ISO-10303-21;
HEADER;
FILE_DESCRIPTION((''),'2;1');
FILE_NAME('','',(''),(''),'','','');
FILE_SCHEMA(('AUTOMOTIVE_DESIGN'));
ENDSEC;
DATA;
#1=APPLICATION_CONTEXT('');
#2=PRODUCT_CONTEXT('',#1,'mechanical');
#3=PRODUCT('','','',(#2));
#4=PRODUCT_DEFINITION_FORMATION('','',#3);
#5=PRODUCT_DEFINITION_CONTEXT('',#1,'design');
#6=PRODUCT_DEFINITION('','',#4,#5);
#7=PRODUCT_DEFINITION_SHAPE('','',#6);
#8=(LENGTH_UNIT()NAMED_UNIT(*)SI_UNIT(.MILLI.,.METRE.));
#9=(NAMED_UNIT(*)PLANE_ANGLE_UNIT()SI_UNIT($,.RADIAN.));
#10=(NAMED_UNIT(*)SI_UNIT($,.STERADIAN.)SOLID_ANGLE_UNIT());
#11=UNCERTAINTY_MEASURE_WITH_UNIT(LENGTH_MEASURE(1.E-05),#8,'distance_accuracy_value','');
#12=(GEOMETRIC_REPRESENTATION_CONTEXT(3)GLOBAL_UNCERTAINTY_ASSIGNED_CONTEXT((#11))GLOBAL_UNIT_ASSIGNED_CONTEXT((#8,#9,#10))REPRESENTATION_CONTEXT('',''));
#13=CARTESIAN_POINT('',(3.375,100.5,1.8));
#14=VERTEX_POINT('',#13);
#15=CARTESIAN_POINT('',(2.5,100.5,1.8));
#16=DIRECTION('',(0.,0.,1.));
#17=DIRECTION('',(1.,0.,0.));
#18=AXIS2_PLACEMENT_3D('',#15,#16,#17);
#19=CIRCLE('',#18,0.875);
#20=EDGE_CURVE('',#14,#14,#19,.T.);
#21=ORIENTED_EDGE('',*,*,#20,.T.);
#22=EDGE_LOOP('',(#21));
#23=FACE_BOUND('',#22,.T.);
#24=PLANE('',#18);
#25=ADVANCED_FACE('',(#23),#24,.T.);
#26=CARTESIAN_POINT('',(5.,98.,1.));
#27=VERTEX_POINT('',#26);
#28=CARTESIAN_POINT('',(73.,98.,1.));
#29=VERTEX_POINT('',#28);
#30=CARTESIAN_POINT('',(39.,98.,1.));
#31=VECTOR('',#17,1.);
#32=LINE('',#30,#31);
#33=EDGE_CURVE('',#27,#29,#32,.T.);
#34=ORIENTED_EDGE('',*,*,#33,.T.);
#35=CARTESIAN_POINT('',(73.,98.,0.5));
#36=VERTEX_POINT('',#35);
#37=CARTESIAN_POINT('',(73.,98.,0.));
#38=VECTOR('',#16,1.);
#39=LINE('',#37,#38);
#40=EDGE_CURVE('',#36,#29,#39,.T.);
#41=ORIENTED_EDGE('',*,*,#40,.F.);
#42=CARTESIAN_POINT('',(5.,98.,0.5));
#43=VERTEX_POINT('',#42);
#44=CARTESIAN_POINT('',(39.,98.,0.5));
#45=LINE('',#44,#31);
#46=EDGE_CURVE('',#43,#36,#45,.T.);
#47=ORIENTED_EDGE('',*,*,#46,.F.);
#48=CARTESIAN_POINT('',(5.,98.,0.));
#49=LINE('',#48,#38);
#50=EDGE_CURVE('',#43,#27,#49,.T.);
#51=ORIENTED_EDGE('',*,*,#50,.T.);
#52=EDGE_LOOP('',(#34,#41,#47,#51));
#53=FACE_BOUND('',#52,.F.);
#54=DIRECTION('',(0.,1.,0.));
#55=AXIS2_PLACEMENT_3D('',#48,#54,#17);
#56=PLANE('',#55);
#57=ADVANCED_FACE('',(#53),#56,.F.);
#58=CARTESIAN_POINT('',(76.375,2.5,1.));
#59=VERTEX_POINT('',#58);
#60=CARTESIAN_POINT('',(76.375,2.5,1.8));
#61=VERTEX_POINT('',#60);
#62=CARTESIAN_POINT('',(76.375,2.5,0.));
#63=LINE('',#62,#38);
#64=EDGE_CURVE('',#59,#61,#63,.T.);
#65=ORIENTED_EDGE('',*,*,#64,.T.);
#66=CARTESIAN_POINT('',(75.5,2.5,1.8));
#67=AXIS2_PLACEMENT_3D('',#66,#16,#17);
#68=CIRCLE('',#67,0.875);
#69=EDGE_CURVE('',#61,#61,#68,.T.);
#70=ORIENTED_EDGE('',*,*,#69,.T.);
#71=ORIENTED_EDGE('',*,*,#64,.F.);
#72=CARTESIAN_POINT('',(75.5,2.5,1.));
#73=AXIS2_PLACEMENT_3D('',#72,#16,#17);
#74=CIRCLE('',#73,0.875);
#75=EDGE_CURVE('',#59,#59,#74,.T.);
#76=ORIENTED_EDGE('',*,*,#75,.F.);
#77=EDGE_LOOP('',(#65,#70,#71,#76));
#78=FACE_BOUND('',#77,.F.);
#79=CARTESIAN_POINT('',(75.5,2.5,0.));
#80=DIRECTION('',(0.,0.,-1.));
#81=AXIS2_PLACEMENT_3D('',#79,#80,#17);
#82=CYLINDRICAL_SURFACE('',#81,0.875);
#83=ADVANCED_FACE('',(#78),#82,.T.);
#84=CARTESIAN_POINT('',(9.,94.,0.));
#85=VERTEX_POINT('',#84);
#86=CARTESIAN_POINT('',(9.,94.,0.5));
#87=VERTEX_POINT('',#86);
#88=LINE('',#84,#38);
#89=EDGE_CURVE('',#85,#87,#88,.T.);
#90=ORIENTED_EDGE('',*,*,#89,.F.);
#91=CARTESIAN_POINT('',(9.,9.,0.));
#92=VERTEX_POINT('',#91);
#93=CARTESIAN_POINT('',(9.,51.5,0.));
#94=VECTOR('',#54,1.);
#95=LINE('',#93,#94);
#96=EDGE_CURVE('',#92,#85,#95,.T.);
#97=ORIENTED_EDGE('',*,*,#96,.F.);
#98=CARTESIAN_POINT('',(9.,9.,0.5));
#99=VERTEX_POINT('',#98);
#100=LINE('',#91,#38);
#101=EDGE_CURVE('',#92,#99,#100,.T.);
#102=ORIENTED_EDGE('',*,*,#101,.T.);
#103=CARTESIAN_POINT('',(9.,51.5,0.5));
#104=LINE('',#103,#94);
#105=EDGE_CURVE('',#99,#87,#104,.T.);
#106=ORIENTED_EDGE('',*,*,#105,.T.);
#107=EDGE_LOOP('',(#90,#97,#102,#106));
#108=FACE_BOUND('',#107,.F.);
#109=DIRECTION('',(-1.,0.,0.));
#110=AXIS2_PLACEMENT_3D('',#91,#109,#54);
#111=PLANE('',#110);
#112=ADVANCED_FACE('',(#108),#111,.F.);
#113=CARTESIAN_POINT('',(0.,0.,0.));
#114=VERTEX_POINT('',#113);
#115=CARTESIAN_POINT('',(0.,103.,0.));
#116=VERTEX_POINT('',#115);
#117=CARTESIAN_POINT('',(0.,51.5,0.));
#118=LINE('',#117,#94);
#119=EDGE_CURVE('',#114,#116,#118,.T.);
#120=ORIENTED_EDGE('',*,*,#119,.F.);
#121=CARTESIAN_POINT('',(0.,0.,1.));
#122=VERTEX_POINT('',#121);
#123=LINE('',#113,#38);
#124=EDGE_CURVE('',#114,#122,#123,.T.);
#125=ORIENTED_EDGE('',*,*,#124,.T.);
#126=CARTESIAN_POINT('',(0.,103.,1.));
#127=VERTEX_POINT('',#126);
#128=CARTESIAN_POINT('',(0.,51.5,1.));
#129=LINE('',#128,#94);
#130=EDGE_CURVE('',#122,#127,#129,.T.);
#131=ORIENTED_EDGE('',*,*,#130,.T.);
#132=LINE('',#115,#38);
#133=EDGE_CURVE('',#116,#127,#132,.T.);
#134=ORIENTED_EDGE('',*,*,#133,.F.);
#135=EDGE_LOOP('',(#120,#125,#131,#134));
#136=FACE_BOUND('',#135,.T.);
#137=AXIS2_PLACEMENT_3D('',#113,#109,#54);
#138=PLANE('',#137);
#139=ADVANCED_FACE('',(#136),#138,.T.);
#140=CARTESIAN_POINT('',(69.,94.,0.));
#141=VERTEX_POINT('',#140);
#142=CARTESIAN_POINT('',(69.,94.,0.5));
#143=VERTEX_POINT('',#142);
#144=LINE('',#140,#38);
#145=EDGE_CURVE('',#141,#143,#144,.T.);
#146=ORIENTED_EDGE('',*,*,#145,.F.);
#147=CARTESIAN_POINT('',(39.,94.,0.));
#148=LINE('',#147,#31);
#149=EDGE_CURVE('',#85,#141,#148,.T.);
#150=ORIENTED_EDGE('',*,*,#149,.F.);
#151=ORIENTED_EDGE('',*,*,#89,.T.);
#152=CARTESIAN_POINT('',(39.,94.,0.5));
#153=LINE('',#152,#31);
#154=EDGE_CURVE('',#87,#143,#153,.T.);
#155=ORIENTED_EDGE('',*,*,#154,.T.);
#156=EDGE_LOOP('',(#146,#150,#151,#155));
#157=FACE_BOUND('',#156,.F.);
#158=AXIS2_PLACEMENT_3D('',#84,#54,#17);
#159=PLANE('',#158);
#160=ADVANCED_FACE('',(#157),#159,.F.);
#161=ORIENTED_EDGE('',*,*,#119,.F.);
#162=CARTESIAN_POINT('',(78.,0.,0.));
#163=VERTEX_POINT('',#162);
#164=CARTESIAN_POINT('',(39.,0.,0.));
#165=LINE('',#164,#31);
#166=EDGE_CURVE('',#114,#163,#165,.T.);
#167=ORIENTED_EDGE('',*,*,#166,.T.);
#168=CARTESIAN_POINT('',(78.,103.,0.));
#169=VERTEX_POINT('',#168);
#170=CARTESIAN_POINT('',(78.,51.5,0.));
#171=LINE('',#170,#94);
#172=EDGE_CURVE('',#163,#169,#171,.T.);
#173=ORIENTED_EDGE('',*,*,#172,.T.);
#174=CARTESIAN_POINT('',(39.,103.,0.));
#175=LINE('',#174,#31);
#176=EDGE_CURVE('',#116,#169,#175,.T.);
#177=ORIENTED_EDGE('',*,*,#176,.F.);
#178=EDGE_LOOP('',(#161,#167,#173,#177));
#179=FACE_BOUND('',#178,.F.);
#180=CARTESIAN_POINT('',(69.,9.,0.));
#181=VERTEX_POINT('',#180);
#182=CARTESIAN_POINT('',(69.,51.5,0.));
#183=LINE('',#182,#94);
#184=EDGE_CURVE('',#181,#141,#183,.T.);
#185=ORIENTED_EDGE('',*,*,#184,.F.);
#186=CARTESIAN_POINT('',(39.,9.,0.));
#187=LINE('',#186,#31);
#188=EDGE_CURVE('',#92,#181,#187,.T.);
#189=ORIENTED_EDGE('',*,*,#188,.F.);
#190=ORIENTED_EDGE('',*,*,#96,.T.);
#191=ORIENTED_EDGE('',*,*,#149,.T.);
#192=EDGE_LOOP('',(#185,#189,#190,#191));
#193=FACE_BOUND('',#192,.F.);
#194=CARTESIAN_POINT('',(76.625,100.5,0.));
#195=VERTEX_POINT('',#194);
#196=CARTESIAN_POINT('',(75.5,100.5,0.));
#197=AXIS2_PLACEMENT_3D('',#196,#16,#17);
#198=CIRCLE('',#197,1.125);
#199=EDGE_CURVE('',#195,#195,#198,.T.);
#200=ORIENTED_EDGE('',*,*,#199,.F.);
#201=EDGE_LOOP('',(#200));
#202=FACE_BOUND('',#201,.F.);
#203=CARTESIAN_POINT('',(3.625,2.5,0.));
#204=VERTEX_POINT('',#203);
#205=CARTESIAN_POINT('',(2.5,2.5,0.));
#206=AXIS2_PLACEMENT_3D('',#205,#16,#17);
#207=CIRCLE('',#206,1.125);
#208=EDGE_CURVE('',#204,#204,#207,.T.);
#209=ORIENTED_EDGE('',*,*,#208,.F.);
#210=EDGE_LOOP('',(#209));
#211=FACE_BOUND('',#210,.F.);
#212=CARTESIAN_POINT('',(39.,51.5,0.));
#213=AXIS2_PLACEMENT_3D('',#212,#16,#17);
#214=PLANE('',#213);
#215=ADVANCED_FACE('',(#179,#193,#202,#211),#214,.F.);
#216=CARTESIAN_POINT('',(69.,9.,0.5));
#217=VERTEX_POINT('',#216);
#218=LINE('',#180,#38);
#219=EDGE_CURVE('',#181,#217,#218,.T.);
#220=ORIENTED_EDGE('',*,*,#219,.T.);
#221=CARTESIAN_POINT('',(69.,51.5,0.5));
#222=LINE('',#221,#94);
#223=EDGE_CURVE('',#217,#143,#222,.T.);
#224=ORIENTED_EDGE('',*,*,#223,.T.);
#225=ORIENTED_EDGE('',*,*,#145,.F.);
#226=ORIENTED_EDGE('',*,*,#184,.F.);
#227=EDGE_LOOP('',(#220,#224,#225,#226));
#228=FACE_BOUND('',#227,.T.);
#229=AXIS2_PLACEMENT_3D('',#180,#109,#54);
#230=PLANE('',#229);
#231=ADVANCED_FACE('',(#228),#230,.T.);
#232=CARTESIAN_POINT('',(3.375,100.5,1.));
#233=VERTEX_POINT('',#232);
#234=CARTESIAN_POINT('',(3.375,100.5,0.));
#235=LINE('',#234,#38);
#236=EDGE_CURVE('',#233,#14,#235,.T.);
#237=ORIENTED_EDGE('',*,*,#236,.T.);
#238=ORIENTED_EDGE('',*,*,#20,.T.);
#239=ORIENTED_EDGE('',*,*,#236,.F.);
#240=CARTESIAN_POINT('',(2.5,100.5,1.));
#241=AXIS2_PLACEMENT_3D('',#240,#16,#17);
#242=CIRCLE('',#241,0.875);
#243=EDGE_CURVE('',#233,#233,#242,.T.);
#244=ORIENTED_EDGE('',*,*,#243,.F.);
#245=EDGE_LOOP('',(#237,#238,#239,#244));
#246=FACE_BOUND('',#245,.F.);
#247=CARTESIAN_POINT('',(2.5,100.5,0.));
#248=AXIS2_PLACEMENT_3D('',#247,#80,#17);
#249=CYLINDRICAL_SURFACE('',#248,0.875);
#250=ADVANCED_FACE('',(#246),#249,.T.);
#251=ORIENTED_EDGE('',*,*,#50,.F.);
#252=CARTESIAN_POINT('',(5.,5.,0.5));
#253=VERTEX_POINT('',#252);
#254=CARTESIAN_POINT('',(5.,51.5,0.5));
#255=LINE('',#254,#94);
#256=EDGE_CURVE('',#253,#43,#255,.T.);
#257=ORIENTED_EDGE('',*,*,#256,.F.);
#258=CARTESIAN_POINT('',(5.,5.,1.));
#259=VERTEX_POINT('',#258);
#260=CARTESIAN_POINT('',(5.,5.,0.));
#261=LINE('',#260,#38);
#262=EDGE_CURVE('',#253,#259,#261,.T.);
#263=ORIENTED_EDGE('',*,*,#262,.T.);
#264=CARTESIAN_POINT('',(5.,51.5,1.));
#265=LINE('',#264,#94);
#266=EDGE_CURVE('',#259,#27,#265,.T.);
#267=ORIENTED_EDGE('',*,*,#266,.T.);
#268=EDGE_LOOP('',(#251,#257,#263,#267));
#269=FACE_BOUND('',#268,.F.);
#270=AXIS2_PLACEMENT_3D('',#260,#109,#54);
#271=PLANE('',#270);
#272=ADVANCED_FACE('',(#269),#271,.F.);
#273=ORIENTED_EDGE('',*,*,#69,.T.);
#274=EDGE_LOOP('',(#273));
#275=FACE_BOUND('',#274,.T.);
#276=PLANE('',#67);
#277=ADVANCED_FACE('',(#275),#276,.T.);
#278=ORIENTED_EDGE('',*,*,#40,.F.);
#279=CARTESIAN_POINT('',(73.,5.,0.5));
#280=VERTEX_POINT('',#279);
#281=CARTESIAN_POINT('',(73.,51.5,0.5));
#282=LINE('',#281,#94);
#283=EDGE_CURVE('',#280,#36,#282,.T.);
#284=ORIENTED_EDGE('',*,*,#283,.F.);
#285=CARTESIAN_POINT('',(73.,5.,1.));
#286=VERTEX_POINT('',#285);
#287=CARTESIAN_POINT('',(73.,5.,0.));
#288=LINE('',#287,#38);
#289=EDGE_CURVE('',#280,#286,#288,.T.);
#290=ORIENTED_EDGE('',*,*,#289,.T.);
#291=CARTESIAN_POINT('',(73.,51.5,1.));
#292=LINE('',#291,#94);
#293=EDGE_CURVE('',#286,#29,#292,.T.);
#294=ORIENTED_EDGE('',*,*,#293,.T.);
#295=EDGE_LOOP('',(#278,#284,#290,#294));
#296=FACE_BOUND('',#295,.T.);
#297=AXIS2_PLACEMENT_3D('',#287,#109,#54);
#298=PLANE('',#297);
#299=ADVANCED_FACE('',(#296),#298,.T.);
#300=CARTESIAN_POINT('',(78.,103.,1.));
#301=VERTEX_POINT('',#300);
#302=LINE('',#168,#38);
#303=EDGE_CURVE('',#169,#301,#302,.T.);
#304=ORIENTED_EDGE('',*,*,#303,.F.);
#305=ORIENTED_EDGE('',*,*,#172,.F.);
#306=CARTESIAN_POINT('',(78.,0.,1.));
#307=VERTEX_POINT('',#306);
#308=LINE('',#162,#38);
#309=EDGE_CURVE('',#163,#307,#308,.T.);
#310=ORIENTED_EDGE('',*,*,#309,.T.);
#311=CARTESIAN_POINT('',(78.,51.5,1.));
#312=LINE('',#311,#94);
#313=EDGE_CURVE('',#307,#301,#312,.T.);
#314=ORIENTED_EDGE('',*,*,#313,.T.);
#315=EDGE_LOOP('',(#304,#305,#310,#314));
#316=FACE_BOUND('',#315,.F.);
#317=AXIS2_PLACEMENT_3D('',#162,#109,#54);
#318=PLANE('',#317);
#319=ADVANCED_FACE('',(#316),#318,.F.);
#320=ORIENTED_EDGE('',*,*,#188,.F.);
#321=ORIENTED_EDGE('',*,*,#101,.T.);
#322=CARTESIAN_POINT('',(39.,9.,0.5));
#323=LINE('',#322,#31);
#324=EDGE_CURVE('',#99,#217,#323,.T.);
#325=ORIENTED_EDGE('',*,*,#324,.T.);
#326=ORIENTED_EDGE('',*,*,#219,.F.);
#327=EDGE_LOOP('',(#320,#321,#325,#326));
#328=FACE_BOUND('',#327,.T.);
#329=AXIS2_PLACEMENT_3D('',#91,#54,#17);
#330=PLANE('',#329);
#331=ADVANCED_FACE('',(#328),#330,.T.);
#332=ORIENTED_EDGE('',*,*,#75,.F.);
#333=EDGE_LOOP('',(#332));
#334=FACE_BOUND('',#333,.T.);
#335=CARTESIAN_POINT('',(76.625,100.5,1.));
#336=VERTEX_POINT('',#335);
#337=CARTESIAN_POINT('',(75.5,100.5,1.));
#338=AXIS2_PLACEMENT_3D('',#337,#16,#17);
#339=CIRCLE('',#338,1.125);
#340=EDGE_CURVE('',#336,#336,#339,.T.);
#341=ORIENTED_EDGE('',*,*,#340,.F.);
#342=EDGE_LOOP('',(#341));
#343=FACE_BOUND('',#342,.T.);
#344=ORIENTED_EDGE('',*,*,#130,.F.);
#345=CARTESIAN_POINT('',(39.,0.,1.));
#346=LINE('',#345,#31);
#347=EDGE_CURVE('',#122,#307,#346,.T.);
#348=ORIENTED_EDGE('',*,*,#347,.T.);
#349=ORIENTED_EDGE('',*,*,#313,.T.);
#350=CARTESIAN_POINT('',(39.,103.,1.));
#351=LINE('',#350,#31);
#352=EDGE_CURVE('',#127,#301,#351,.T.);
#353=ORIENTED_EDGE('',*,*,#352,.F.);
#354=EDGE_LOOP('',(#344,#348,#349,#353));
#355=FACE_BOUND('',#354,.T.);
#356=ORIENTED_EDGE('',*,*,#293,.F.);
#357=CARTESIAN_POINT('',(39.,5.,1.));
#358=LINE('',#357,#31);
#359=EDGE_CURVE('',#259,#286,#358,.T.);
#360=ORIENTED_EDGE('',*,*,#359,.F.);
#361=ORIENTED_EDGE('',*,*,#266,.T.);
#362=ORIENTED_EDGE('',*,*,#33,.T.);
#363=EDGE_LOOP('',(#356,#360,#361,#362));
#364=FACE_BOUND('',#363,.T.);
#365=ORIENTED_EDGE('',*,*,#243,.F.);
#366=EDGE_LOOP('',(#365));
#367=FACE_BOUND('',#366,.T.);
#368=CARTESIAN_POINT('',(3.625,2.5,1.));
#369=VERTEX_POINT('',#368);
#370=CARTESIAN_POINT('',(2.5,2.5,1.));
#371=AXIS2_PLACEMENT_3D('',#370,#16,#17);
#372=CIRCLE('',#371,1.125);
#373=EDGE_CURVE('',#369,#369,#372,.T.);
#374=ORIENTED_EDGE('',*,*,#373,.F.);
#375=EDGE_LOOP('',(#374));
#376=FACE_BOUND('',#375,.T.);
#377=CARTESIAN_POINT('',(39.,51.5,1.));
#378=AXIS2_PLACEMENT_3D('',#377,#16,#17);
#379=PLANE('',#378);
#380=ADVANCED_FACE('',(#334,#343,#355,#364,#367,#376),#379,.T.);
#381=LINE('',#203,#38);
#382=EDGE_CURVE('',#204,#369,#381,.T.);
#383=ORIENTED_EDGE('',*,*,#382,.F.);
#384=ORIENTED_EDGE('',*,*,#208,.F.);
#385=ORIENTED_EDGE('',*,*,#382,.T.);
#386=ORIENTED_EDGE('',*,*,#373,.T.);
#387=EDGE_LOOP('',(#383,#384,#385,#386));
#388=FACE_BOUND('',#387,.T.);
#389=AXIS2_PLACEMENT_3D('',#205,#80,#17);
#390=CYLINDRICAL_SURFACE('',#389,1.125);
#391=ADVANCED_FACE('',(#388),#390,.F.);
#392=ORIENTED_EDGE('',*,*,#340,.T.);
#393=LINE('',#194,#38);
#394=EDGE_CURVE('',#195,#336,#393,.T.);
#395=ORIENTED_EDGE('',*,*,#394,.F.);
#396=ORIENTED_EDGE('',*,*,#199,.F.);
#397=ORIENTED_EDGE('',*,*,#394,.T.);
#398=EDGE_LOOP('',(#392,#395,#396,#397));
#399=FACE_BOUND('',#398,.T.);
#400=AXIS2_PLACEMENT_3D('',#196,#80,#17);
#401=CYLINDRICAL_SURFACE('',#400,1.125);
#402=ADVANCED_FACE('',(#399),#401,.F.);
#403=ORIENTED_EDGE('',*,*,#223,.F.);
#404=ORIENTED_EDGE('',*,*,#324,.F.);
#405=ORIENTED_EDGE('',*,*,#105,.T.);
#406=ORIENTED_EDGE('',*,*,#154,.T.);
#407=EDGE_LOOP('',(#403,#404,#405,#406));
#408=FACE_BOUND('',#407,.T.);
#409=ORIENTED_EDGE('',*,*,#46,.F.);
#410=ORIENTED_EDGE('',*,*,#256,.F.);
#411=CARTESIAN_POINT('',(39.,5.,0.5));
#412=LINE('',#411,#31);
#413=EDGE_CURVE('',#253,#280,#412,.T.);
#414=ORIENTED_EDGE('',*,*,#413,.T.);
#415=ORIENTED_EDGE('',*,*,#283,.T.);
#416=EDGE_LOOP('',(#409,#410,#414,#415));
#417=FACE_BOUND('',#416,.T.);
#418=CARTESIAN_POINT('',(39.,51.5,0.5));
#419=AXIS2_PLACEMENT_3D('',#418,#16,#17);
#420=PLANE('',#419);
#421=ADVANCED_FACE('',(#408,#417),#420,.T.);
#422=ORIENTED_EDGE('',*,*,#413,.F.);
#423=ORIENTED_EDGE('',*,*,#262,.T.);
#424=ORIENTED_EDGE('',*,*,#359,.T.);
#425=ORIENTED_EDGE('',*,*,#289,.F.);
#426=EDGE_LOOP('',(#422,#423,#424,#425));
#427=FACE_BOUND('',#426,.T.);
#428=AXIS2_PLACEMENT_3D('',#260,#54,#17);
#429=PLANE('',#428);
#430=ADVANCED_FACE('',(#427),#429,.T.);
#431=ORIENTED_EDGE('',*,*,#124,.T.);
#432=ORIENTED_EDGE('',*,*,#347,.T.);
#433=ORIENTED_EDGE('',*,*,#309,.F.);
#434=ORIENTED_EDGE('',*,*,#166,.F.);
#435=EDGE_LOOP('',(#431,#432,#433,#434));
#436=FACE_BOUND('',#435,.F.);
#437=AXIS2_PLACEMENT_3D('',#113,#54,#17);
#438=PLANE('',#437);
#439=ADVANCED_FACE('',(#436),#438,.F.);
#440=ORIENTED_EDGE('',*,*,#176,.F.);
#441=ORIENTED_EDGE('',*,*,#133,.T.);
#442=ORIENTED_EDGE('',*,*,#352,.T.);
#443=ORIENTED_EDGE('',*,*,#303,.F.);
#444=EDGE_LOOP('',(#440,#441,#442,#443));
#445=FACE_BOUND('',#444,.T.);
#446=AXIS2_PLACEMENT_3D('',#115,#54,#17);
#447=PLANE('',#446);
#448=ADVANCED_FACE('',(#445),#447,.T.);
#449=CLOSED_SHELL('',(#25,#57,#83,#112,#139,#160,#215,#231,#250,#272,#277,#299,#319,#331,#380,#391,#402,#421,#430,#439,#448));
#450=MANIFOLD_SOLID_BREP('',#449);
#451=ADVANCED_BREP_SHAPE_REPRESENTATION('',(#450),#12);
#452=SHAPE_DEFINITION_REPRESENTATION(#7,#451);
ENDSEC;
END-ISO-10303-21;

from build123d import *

# Parameters (mm, degrees)
F0_W     = 68
F0_H     = 93
F0_W_2   = 60
F0_H_2   = 85
F1_DEPTH = 0.5
F0_W_3   = 78
F0_H_3   = 103
F0_R     = 1.125
F0_R_2   = 0.875
F2_DEPTH = 1
F3_DEPTH = 1.8


with BuildPart() as f1:
    # F0 (on Top) → F1 (new body)
    with BuildSketch(Plane.XY):
        with Locations((39, 51.5)):
            Rectangle(F0_W, F0_H)
        with Locations((39, 51.5)):
            Rectangle(F0_W_2, F0_H_2, mode=Mode.SUBTRACT)
    extrude(amount=F1_DEPTH)

    # F0 (on Top) → F2 (join)
    with BuildSketch(Plane.XY):
        with Locations((39, 51.5)):
            Rectangle(F0_W_3, F0_H_3)
        with Locations((2.5, 2.5)):
            Circle(F0_R, mode=Mode.SUBTRACT)
        with Locations((75.5, 2.5)):
            Circle(F0_R_2, mode=Mode.SUBTRACT)
        with Locations((39, 51.5)):
            Rectangle(F0_W, F0_H, mode=Mode.SUBTRACT)
        with Locations((2.5, 100.5)):
            Circle(F0_R_2, mode=Mode.SUBTRACT)
        with Locations((75.5, 100.5)):
            Circle(F0_R, mode=Mode.SUBTRACT)
    extrude(amount=F2_DEPTH)

    # F0 (on Top) → F3 (join)
    with BuildSketch(Plane.XY):
        with Locations((75.5, 2.5)):
            Circle(F0_R_2)
        with Locations((2.5, 100.5)):
            Circle(F0_R_2)
    extrude(amount=F3_DEPTH)


solid = f1.part
